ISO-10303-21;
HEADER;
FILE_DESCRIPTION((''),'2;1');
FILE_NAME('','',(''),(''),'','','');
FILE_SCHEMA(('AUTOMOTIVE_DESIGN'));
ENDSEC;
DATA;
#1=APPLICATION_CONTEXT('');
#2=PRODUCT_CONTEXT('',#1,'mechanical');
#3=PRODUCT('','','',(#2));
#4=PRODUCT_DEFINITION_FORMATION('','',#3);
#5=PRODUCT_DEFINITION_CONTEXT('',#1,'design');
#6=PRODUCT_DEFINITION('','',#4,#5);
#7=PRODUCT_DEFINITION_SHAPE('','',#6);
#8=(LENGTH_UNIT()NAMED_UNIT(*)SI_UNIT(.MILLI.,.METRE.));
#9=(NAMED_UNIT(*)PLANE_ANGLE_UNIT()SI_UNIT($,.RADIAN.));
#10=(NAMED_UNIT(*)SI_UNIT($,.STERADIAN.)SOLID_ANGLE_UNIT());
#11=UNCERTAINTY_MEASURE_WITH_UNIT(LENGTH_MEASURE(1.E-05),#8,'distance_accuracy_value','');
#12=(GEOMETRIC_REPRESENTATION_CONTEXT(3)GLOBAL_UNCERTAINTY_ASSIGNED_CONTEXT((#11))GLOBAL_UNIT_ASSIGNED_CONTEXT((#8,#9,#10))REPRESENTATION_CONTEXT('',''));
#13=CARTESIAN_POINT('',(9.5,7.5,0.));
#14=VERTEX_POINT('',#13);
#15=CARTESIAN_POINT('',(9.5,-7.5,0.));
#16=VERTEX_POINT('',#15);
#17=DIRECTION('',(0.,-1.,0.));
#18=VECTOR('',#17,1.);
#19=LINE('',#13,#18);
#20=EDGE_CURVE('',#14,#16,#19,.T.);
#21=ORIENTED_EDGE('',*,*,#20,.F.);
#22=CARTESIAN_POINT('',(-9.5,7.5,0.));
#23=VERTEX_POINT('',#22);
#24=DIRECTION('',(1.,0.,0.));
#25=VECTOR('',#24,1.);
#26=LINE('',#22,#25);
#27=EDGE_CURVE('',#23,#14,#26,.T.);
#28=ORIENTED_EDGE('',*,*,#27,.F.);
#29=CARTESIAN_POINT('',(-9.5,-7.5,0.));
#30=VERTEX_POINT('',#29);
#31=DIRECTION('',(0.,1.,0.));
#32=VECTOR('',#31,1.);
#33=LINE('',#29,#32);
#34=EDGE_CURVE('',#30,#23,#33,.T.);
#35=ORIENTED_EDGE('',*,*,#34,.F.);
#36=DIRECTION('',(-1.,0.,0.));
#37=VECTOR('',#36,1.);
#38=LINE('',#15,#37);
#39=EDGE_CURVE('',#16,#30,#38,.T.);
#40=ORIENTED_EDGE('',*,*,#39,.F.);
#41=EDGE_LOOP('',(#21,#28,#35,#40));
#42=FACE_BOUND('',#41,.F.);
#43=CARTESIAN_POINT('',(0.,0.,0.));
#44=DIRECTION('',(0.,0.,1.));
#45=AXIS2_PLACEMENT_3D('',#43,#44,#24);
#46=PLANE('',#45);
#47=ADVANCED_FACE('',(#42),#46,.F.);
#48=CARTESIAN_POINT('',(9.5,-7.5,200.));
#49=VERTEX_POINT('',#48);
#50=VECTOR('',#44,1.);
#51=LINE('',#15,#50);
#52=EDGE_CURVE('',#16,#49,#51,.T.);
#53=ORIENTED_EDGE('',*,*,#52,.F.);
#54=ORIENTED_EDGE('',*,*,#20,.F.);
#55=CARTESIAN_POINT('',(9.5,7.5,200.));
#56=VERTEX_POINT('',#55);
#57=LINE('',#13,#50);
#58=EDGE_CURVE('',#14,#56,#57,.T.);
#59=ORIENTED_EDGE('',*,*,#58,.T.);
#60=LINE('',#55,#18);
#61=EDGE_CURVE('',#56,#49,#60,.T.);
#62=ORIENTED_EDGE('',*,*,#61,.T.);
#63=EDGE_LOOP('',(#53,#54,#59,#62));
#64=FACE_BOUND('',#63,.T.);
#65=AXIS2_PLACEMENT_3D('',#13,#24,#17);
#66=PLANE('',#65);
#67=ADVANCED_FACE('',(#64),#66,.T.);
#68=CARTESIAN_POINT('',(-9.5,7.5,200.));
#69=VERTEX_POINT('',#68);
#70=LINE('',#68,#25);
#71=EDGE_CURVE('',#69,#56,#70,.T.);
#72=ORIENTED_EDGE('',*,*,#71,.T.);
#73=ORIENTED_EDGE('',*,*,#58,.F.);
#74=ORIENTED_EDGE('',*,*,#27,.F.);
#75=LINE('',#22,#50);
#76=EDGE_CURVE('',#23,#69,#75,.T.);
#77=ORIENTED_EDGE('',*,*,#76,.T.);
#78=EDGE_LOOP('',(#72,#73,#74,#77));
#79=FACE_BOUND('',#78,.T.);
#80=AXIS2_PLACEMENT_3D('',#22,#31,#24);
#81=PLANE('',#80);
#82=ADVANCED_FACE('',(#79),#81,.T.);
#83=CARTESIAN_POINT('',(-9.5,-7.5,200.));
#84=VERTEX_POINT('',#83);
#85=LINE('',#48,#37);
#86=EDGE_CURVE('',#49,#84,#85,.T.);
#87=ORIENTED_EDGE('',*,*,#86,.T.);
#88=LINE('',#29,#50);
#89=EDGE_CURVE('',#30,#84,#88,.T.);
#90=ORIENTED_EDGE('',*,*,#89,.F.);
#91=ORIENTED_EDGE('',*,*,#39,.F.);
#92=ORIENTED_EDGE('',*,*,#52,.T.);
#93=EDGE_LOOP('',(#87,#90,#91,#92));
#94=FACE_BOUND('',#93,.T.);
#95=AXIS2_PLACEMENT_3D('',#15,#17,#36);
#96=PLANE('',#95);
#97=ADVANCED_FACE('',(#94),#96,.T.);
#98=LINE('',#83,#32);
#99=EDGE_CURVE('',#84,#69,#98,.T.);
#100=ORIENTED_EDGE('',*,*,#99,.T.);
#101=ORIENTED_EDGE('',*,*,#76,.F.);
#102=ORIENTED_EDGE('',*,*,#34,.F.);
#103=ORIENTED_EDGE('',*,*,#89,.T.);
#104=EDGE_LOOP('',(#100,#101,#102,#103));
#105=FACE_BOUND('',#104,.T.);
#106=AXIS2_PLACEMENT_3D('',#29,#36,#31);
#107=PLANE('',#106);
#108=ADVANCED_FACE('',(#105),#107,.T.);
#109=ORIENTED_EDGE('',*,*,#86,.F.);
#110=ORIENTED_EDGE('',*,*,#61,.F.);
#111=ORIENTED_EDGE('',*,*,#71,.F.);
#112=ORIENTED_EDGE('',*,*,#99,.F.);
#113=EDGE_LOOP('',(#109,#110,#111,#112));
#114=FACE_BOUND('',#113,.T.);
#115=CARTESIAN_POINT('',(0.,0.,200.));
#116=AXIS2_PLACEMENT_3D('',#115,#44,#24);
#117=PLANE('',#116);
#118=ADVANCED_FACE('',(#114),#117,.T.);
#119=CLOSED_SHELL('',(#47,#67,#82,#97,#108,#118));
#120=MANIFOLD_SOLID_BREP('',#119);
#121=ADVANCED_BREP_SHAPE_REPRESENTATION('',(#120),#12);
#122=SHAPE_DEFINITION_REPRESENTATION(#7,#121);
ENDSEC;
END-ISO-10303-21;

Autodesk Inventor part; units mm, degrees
ref_plane "YZ Plane" through (0, 0, 0) normal (1, 0, 0) x (0, 1, 0)
ref_plane "XZ Plane" through (0, 0, 0) normal (0, 1, 0) x (-1, 0, 0)
ref_plane "XY Plane" through (0, 0, 0) normal (0, 0, 1) x (1, 0, 0)
sketch "Esboço1" plane through (0, 0, 0) normal (0, 0, 1) x (1, 0, 0)
  line L0 (9.5, -7.5) -> (-9.5, -7.5)
  line L1 (-9.5, -7.5) -> (-9.5, 7.5)
  line L2 (-9.5, 7.5) -> (9.5, 7.5)
  line L3 (9.5, 7.5) -> (9.5, -7.5)
  line L4 (9.5, -7.5) -> (-9.5, 7.5) construction
  line L5 (-9.5, -7.5) -> (9.5, 7.5) construction
  point P0 (0, 0)
  dimension "d0" = 19
  dimension "d1" = 15
extrude "Extrusão1" add sketch "Esboço1" along normal blind 200
properties part number "Alcance dos Sensores"
